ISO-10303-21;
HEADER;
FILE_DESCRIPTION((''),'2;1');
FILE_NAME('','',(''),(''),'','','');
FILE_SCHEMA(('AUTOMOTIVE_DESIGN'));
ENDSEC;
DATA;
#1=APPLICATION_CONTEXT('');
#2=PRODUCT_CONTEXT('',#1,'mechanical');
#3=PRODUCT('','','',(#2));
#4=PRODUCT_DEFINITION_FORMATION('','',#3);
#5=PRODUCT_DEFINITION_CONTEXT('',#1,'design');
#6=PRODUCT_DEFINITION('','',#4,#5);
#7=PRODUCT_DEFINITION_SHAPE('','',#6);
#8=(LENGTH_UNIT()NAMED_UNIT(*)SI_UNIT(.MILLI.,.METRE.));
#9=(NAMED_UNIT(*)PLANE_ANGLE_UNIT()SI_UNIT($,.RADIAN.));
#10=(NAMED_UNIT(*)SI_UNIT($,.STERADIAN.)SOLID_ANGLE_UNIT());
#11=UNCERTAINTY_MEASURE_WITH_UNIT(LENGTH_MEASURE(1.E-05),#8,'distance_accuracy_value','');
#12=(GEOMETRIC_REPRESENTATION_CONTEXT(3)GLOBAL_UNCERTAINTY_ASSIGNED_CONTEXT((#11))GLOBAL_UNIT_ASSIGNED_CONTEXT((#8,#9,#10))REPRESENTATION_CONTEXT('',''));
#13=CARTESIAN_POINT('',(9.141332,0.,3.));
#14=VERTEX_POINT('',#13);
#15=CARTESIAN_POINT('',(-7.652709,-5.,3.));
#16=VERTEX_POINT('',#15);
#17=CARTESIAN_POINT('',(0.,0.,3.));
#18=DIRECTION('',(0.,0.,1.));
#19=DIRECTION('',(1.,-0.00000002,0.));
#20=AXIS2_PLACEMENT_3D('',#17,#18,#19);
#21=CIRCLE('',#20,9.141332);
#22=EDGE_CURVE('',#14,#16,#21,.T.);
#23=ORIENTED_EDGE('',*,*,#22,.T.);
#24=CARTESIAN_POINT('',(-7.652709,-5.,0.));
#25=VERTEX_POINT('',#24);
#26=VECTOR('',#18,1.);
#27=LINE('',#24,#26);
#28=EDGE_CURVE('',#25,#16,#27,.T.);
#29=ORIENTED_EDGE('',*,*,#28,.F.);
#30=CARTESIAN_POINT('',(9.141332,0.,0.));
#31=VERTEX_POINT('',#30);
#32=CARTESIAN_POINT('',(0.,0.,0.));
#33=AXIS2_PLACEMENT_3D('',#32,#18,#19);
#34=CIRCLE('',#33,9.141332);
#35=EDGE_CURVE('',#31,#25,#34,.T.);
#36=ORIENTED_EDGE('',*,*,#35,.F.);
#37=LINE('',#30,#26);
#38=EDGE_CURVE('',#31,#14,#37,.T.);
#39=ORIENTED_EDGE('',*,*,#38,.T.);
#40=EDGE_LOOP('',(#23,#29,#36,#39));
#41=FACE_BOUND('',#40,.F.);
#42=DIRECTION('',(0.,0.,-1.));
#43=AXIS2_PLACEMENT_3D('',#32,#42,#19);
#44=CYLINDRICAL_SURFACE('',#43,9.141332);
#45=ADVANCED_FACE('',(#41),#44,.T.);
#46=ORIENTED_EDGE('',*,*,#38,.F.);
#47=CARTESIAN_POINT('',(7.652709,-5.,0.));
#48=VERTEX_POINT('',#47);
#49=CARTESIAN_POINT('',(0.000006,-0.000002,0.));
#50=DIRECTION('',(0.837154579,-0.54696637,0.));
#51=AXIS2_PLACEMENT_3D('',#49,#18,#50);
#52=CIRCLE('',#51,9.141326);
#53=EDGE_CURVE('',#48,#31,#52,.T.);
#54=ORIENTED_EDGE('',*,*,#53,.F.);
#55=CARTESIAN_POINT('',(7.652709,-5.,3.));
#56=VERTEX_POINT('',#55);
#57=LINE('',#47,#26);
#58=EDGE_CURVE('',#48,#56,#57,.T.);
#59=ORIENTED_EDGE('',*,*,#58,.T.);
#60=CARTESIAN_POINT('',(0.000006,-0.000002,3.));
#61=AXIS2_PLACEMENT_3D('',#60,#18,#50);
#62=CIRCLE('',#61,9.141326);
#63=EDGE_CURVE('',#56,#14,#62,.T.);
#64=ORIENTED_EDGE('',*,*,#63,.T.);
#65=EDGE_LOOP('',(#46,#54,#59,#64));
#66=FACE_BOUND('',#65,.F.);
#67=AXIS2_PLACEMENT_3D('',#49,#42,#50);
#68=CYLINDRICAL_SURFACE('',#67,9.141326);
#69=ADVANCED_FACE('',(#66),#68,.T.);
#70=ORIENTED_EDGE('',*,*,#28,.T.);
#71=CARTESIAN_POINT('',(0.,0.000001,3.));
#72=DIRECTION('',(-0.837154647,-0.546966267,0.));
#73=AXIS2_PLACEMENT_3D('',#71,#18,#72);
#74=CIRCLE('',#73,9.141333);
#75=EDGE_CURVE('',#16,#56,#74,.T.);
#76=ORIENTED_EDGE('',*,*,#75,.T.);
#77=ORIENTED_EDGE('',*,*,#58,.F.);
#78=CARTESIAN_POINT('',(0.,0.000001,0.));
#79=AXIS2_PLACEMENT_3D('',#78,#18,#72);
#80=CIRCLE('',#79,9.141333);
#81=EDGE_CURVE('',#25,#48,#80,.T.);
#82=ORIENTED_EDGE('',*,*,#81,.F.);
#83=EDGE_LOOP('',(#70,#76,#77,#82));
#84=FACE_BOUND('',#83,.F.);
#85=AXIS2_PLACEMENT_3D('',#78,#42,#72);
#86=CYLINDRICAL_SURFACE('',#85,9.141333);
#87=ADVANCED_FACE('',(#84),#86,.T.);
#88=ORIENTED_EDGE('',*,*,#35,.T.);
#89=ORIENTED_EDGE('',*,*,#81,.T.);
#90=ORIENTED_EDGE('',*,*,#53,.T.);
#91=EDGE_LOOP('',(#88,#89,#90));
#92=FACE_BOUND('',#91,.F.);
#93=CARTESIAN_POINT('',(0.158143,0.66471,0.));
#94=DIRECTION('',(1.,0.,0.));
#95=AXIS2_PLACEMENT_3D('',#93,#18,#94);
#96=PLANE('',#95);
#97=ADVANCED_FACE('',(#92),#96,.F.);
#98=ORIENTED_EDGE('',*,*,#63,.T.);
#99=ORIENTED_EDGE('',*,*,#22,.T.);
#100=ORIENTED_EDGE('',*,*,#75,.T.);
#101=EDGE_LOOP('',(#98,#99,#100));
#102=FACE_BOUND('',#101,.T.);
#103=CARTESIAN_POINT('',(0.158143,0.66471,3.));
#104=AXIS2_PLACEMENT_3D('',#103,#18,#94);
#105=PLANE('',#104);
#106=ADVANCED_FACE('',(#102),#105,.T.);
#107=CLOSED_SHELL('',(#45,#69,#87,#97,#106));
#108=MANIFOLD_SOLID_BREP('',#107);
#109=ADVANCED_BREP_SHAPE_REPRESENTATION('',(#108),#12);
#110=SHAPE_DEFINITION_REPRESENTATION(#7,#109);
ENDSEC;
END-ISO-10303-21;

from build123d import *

# Parameters (mm, degrees)
F1_DEPTH = 3


with BuildPart() as f1:
    # F0 (on Top) → F1 (new body)
    with BuildSketch(Plane.XY):
        with BuildLine():
            ThreePointArc((9.141332, 0), (-2.608448, 8.761276), (-7.652709, -5))
            Line((-7.652709, -5), (7.652709, -5))
            ThreePointArc((7.652709, -5), (8.761276, -2.608448), (9.141332, 0))
        make_face()
        with BuildLine():
            Line((7.652709, -5), (-7.652709, -5))
            ThreePointArc((-7.652709, -5), (0, -9.141332), (7.652709, -5))
        make_face()
    extrude(amount=F1_DEPTH)


solid = f1.part
